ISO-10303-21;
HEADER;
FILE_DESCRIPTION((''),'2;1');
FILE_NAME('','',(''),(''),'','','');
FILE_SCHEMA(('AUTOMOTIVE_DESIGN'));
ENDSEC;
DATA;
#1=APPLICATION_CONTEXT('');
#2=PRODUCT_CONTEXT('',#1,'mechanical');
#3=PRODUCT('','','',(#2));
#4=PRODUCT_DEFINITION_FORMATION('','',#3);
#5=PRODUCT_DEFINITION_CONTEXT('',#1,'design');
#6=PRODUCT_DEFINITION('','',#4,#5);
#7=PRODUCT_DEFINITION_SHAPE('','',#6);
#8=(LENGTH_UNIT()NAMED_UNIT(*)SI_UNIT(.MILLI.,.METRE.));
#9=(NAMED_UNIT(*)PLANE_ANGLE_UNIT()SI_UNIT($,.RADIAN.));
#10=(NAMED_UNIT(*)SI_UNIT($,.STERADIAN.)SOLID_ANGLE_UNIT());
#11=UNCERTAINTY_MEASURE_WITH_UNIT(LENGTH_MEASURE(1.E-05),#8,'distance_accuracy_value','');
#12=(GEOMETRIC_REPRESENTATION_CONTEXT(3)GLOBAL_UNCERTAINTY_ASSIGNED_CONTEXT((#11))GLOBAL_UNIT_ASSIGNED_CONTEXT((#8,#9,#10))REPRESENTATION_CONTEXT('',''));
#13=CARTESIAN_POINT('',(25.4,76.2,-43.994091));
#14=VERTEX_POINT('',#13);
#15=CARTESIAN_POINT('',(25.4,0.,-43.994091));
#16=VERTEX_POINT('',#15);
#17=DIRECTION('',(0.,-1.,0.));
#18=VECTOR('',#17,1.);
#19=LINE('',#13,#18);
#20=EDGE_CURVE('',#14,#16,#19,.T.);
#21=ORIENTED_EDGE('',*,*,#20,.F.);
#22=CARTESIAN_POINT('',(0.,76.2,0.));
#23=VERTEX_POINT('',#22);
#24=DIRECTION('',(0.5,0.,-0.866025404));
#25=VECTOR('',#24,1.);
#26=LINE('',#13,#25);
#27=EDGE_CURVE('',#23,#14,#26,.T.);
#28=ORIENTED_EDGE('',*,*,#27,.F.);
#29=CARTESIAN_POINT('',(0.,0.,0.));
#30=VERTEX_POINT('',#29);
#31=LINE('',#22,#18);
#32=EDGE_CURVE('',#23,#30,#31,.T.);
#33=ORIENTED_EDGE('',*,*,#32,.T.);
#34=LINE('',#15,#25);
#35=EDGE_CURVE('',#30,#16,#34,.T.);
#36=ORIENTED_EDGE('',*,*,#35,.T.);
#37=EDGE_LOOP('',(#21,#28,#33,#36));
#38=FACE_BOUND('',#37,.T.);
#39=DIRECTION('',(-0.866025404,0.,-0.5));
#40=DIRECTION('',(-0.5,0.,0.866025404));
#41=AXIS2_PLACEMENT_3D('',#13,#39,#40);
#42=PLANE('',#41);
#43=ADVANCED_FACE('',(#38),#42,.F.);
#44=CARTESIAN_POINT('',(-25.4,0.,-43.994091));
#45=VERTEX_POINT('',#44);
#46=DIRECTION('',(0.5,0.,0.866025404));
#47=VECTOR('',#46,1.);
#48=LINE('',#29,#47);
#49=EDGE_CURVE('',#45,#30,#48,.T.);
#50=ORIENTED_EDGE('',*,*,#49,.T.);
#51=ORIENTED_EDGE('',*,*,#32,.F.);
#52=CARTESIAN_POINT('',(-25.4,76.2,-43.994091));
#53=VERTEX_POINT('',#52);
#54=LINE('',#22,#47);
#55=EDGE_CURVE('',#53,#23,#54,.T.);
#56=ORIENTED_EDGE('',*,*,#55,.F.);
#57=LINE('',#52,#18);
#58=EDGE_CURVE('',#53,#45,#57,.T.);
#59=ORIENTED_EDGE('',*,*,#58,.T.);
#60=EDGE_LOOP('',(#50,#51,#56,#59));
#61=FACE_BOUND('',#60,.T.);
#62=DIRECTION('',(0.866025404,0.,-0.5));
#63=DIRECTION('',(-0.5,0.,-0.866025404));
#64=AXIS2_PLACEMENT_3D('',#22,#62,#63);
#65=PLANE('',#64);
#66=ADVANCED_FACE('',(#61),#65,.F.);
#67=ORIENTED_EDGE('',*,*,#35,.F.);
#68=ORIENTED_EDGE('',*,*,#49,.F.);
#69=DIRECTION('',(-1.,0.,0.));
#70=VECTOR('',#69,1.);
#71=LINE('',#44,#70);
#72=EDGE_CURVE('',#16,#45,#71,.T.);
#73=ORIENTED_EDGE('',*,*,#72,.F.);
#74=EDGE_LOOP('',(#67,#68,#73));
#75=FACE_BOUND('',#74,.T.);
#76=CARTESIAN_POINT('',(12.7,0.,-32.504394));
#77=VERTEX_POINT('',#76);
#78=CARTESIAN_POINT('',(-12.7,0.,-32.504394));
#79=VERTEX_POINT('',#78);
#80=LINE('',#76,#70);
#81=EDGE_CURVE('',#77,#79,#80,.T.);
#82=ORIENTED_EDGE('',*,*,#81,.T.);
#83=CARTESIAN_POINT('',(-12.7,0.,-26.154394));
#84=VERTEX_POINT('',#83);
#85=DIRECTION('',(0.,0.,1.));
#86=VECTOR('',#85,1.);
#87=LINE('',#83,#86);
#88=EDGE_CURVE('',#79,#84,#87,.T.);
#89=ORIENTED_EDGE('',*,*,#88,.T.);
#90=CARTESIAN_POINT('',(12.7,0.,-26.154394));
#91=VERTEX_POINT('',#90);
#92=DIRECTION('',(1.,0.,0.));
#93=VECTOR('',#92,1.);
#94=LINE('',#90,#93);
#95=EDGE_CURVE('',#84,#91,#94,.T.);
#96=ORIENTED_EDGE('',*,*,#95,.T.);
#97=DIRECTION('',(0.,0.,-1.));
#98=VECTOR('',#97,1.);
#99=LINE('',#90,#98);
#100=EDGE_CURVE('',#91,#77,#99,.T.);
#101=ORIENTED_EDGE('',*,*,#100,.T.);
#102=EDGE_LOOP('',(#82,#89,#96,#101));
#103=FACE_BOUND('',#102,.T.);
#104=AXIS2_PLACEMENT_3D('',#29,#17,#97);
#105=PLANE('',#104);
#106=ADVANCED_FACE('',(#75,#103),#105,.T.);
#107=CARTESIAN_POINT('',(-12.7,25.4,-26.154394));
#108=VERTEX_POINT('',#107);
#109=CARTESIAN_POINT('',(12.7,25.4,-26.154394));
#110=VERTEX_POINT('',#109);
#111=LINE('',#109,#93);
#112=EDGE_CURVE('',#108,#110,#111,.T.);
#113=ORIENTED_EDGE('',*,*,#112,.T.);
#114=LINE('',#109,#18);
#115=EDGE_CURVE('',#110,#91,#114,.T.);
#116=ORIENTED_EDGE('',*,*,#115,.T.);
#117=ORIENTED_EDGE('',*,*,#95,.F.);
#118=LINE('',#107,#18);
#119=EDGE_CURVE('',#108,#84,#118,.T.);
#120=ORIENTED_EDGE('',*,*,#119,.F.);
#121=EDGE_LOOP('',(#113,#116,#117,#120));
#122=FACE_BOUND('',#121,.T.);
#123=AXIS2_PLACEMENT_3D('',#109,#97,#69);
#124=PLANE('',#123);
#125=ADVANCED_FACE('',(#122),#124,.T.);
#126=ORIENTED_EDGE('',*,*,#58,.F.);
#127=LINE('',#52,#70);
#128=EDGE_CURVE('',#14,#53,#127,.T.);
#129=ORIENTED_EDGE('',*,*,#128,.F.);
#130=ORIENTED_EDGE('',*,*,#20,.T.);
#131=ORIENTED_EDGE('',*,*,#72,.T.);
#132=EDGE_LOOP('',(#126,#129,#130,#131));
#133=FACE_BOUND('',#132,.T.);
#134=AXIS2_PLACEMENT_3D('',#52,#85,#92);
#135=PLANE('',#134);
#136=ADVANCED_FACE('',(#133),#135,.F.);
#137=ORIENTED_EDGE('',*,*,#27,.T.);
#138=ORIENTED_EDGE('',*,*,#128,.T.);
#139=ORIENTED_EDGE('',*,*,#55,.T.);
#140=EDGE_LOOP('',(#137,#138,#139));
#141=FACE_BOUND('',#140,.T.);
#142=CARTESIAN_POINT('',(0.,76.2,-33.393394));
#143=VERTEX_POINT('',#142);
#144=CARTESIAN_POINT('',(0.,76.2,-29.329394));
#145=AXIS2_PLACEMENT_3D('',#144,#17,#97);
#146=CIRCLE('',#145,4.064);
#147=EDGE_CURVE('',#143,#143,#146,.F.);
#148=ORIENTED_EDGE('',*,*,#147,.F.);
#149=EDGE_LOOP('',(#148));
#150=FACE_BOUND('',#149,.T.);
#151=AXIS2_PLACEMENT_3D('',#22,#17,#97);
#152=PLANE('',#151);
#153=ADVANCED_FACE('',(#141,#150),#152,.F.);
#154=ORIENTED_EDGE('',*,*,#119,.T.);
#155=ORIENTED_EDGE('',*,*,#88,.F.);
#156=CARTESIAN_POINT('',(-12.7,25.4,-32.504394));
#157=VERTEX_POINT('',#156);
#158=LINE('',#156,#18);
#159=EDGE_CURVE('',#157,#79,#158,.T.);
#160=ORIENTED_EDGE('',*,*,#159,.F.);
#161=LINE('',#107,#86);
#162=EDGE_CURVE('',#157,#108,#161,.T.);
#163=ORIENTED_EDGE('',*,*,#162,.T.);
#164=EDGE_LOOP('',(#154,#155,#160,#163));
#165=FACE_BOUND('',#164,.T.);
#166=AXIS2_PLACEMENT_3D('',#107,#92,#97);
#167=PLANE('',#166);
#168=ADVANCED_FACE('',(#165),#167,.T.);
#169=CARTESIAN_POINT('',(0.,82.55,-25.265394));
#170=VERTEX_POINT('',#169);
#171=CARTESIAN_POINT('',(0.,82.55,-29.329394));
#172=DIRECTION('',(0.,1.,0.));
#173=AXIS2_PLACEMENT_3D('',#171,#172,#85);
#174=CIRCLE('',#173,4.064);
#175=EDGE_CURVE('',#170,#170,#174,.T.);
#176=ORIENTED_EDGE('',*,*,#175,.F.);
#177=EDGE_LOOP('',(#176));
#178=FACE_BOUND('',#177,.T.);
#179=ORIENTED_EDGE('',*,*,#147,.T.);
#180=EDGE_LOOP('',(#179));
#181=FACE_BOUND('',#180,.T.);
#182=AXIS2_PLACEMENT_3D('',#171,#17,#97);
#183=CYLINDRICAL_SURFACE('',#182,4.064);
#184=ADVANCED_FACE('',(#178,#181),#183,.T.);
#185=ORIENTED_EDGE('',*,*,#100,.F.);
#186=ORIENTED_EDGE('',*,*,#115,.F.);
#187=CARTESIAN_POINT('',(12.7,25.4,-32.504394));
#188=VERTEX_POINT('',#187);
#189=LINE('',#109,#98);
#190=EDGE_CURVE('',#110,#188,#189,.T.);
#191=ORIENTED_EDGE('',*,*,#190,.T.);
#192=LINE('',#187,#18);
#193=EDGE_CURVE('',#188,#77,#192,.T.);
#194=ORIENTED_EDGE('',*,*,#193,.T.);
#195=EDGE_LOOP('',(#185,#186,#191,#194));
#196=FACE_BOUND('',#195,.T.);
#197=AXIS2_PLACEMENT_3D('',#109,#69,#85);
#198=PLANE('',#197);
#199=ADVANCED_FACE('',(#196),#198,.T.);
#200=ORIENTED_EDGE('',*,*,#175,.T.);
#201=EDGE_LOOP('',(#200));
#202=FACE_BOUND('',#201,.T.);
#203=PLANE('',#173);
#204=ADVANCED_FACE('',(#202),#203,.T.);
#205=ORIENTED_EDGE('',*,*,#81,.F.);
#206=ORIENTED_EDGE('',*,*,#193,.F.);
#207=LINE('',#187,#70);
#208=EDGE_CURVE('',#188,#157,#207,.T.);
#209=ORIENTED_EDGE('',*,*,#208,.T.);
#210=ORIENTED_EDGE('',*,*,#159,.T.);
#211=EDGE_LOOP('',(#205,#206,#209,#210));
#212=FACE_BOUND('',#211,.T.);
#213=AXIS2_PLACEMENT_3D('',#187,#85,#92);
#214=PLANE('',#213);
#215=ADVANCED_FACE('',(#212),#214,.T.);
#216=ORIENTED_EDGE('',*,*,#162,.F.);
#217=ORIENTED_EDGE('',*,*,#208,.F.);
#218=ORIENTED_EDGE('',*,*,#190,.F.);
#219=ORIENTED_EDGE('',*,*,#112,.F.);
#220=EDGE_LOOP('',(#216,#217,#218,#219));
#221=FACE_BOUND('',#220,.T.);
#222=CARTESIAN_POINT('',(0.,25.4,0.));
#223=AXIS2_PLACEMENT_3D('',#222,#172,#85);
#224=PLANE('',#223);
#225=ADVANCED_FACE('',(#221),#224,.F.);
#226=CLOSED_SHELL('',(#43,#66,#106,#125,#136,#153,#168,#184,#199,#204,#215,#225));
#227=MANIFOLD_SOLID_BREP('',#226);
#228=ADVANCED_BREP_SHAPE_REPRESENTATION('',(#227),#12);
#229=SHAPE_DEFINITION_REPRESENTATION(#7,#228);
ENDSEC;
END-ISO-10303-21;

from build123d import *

# Parameters (mm, degrees)
BOSS_EXTRUDE1_DEPTH = 76.2
SKETCH3_R           = 4.064
BOSS_EXTRUDE2_DEPTH = 6.35
SKETCH2_W           = 25.4
SKETCH2_H           = 6.35
CUT_EXTRUDE2_DEPTH  = 25.4


with BuildPart() as part:
    # Sketch1 → Boss-Extrude1 (new body)
    with BuildSketch(Plane(origin=(0, 0, 0), x_dir=(1, 0, 0), z_dir=(0, 1, 0))):
        Polygon((0, 0), (-25.4, 43.994090512), (25.4, 43.994090512), align=None)
    extrude(amount=BOSS_EXTRUDE1_DEPTH)

    # Sketch3 → Boss-Extrude2 (add)
    with BuildSketch(Plane(origin=(0, 76.2, 0), x_dir=(1, 0, 0), z_dir=(0, 1, 0))):
        with Locations((0, 29.329393675)):
            Circle(SKETCH3_R)
    extrude(amount=BOSS_EXTRUDE2_DEPTH)

    # Sketch2 → Cut-Extrude2 (cut)
    with BuildSketch(Plane(origin=(0, 0, 0), x_dir=(1, 0, 0), z_dir=(0, 1, 0))):
        with Locations((0, 29.329393675)):
            Rectangle(SKETCH2_W, SKETCH2_H)
    extrude(amount=CUT_EXTRUDE2_DEPTH, mode=Mode.SUBTRACT)


solid = part.part
